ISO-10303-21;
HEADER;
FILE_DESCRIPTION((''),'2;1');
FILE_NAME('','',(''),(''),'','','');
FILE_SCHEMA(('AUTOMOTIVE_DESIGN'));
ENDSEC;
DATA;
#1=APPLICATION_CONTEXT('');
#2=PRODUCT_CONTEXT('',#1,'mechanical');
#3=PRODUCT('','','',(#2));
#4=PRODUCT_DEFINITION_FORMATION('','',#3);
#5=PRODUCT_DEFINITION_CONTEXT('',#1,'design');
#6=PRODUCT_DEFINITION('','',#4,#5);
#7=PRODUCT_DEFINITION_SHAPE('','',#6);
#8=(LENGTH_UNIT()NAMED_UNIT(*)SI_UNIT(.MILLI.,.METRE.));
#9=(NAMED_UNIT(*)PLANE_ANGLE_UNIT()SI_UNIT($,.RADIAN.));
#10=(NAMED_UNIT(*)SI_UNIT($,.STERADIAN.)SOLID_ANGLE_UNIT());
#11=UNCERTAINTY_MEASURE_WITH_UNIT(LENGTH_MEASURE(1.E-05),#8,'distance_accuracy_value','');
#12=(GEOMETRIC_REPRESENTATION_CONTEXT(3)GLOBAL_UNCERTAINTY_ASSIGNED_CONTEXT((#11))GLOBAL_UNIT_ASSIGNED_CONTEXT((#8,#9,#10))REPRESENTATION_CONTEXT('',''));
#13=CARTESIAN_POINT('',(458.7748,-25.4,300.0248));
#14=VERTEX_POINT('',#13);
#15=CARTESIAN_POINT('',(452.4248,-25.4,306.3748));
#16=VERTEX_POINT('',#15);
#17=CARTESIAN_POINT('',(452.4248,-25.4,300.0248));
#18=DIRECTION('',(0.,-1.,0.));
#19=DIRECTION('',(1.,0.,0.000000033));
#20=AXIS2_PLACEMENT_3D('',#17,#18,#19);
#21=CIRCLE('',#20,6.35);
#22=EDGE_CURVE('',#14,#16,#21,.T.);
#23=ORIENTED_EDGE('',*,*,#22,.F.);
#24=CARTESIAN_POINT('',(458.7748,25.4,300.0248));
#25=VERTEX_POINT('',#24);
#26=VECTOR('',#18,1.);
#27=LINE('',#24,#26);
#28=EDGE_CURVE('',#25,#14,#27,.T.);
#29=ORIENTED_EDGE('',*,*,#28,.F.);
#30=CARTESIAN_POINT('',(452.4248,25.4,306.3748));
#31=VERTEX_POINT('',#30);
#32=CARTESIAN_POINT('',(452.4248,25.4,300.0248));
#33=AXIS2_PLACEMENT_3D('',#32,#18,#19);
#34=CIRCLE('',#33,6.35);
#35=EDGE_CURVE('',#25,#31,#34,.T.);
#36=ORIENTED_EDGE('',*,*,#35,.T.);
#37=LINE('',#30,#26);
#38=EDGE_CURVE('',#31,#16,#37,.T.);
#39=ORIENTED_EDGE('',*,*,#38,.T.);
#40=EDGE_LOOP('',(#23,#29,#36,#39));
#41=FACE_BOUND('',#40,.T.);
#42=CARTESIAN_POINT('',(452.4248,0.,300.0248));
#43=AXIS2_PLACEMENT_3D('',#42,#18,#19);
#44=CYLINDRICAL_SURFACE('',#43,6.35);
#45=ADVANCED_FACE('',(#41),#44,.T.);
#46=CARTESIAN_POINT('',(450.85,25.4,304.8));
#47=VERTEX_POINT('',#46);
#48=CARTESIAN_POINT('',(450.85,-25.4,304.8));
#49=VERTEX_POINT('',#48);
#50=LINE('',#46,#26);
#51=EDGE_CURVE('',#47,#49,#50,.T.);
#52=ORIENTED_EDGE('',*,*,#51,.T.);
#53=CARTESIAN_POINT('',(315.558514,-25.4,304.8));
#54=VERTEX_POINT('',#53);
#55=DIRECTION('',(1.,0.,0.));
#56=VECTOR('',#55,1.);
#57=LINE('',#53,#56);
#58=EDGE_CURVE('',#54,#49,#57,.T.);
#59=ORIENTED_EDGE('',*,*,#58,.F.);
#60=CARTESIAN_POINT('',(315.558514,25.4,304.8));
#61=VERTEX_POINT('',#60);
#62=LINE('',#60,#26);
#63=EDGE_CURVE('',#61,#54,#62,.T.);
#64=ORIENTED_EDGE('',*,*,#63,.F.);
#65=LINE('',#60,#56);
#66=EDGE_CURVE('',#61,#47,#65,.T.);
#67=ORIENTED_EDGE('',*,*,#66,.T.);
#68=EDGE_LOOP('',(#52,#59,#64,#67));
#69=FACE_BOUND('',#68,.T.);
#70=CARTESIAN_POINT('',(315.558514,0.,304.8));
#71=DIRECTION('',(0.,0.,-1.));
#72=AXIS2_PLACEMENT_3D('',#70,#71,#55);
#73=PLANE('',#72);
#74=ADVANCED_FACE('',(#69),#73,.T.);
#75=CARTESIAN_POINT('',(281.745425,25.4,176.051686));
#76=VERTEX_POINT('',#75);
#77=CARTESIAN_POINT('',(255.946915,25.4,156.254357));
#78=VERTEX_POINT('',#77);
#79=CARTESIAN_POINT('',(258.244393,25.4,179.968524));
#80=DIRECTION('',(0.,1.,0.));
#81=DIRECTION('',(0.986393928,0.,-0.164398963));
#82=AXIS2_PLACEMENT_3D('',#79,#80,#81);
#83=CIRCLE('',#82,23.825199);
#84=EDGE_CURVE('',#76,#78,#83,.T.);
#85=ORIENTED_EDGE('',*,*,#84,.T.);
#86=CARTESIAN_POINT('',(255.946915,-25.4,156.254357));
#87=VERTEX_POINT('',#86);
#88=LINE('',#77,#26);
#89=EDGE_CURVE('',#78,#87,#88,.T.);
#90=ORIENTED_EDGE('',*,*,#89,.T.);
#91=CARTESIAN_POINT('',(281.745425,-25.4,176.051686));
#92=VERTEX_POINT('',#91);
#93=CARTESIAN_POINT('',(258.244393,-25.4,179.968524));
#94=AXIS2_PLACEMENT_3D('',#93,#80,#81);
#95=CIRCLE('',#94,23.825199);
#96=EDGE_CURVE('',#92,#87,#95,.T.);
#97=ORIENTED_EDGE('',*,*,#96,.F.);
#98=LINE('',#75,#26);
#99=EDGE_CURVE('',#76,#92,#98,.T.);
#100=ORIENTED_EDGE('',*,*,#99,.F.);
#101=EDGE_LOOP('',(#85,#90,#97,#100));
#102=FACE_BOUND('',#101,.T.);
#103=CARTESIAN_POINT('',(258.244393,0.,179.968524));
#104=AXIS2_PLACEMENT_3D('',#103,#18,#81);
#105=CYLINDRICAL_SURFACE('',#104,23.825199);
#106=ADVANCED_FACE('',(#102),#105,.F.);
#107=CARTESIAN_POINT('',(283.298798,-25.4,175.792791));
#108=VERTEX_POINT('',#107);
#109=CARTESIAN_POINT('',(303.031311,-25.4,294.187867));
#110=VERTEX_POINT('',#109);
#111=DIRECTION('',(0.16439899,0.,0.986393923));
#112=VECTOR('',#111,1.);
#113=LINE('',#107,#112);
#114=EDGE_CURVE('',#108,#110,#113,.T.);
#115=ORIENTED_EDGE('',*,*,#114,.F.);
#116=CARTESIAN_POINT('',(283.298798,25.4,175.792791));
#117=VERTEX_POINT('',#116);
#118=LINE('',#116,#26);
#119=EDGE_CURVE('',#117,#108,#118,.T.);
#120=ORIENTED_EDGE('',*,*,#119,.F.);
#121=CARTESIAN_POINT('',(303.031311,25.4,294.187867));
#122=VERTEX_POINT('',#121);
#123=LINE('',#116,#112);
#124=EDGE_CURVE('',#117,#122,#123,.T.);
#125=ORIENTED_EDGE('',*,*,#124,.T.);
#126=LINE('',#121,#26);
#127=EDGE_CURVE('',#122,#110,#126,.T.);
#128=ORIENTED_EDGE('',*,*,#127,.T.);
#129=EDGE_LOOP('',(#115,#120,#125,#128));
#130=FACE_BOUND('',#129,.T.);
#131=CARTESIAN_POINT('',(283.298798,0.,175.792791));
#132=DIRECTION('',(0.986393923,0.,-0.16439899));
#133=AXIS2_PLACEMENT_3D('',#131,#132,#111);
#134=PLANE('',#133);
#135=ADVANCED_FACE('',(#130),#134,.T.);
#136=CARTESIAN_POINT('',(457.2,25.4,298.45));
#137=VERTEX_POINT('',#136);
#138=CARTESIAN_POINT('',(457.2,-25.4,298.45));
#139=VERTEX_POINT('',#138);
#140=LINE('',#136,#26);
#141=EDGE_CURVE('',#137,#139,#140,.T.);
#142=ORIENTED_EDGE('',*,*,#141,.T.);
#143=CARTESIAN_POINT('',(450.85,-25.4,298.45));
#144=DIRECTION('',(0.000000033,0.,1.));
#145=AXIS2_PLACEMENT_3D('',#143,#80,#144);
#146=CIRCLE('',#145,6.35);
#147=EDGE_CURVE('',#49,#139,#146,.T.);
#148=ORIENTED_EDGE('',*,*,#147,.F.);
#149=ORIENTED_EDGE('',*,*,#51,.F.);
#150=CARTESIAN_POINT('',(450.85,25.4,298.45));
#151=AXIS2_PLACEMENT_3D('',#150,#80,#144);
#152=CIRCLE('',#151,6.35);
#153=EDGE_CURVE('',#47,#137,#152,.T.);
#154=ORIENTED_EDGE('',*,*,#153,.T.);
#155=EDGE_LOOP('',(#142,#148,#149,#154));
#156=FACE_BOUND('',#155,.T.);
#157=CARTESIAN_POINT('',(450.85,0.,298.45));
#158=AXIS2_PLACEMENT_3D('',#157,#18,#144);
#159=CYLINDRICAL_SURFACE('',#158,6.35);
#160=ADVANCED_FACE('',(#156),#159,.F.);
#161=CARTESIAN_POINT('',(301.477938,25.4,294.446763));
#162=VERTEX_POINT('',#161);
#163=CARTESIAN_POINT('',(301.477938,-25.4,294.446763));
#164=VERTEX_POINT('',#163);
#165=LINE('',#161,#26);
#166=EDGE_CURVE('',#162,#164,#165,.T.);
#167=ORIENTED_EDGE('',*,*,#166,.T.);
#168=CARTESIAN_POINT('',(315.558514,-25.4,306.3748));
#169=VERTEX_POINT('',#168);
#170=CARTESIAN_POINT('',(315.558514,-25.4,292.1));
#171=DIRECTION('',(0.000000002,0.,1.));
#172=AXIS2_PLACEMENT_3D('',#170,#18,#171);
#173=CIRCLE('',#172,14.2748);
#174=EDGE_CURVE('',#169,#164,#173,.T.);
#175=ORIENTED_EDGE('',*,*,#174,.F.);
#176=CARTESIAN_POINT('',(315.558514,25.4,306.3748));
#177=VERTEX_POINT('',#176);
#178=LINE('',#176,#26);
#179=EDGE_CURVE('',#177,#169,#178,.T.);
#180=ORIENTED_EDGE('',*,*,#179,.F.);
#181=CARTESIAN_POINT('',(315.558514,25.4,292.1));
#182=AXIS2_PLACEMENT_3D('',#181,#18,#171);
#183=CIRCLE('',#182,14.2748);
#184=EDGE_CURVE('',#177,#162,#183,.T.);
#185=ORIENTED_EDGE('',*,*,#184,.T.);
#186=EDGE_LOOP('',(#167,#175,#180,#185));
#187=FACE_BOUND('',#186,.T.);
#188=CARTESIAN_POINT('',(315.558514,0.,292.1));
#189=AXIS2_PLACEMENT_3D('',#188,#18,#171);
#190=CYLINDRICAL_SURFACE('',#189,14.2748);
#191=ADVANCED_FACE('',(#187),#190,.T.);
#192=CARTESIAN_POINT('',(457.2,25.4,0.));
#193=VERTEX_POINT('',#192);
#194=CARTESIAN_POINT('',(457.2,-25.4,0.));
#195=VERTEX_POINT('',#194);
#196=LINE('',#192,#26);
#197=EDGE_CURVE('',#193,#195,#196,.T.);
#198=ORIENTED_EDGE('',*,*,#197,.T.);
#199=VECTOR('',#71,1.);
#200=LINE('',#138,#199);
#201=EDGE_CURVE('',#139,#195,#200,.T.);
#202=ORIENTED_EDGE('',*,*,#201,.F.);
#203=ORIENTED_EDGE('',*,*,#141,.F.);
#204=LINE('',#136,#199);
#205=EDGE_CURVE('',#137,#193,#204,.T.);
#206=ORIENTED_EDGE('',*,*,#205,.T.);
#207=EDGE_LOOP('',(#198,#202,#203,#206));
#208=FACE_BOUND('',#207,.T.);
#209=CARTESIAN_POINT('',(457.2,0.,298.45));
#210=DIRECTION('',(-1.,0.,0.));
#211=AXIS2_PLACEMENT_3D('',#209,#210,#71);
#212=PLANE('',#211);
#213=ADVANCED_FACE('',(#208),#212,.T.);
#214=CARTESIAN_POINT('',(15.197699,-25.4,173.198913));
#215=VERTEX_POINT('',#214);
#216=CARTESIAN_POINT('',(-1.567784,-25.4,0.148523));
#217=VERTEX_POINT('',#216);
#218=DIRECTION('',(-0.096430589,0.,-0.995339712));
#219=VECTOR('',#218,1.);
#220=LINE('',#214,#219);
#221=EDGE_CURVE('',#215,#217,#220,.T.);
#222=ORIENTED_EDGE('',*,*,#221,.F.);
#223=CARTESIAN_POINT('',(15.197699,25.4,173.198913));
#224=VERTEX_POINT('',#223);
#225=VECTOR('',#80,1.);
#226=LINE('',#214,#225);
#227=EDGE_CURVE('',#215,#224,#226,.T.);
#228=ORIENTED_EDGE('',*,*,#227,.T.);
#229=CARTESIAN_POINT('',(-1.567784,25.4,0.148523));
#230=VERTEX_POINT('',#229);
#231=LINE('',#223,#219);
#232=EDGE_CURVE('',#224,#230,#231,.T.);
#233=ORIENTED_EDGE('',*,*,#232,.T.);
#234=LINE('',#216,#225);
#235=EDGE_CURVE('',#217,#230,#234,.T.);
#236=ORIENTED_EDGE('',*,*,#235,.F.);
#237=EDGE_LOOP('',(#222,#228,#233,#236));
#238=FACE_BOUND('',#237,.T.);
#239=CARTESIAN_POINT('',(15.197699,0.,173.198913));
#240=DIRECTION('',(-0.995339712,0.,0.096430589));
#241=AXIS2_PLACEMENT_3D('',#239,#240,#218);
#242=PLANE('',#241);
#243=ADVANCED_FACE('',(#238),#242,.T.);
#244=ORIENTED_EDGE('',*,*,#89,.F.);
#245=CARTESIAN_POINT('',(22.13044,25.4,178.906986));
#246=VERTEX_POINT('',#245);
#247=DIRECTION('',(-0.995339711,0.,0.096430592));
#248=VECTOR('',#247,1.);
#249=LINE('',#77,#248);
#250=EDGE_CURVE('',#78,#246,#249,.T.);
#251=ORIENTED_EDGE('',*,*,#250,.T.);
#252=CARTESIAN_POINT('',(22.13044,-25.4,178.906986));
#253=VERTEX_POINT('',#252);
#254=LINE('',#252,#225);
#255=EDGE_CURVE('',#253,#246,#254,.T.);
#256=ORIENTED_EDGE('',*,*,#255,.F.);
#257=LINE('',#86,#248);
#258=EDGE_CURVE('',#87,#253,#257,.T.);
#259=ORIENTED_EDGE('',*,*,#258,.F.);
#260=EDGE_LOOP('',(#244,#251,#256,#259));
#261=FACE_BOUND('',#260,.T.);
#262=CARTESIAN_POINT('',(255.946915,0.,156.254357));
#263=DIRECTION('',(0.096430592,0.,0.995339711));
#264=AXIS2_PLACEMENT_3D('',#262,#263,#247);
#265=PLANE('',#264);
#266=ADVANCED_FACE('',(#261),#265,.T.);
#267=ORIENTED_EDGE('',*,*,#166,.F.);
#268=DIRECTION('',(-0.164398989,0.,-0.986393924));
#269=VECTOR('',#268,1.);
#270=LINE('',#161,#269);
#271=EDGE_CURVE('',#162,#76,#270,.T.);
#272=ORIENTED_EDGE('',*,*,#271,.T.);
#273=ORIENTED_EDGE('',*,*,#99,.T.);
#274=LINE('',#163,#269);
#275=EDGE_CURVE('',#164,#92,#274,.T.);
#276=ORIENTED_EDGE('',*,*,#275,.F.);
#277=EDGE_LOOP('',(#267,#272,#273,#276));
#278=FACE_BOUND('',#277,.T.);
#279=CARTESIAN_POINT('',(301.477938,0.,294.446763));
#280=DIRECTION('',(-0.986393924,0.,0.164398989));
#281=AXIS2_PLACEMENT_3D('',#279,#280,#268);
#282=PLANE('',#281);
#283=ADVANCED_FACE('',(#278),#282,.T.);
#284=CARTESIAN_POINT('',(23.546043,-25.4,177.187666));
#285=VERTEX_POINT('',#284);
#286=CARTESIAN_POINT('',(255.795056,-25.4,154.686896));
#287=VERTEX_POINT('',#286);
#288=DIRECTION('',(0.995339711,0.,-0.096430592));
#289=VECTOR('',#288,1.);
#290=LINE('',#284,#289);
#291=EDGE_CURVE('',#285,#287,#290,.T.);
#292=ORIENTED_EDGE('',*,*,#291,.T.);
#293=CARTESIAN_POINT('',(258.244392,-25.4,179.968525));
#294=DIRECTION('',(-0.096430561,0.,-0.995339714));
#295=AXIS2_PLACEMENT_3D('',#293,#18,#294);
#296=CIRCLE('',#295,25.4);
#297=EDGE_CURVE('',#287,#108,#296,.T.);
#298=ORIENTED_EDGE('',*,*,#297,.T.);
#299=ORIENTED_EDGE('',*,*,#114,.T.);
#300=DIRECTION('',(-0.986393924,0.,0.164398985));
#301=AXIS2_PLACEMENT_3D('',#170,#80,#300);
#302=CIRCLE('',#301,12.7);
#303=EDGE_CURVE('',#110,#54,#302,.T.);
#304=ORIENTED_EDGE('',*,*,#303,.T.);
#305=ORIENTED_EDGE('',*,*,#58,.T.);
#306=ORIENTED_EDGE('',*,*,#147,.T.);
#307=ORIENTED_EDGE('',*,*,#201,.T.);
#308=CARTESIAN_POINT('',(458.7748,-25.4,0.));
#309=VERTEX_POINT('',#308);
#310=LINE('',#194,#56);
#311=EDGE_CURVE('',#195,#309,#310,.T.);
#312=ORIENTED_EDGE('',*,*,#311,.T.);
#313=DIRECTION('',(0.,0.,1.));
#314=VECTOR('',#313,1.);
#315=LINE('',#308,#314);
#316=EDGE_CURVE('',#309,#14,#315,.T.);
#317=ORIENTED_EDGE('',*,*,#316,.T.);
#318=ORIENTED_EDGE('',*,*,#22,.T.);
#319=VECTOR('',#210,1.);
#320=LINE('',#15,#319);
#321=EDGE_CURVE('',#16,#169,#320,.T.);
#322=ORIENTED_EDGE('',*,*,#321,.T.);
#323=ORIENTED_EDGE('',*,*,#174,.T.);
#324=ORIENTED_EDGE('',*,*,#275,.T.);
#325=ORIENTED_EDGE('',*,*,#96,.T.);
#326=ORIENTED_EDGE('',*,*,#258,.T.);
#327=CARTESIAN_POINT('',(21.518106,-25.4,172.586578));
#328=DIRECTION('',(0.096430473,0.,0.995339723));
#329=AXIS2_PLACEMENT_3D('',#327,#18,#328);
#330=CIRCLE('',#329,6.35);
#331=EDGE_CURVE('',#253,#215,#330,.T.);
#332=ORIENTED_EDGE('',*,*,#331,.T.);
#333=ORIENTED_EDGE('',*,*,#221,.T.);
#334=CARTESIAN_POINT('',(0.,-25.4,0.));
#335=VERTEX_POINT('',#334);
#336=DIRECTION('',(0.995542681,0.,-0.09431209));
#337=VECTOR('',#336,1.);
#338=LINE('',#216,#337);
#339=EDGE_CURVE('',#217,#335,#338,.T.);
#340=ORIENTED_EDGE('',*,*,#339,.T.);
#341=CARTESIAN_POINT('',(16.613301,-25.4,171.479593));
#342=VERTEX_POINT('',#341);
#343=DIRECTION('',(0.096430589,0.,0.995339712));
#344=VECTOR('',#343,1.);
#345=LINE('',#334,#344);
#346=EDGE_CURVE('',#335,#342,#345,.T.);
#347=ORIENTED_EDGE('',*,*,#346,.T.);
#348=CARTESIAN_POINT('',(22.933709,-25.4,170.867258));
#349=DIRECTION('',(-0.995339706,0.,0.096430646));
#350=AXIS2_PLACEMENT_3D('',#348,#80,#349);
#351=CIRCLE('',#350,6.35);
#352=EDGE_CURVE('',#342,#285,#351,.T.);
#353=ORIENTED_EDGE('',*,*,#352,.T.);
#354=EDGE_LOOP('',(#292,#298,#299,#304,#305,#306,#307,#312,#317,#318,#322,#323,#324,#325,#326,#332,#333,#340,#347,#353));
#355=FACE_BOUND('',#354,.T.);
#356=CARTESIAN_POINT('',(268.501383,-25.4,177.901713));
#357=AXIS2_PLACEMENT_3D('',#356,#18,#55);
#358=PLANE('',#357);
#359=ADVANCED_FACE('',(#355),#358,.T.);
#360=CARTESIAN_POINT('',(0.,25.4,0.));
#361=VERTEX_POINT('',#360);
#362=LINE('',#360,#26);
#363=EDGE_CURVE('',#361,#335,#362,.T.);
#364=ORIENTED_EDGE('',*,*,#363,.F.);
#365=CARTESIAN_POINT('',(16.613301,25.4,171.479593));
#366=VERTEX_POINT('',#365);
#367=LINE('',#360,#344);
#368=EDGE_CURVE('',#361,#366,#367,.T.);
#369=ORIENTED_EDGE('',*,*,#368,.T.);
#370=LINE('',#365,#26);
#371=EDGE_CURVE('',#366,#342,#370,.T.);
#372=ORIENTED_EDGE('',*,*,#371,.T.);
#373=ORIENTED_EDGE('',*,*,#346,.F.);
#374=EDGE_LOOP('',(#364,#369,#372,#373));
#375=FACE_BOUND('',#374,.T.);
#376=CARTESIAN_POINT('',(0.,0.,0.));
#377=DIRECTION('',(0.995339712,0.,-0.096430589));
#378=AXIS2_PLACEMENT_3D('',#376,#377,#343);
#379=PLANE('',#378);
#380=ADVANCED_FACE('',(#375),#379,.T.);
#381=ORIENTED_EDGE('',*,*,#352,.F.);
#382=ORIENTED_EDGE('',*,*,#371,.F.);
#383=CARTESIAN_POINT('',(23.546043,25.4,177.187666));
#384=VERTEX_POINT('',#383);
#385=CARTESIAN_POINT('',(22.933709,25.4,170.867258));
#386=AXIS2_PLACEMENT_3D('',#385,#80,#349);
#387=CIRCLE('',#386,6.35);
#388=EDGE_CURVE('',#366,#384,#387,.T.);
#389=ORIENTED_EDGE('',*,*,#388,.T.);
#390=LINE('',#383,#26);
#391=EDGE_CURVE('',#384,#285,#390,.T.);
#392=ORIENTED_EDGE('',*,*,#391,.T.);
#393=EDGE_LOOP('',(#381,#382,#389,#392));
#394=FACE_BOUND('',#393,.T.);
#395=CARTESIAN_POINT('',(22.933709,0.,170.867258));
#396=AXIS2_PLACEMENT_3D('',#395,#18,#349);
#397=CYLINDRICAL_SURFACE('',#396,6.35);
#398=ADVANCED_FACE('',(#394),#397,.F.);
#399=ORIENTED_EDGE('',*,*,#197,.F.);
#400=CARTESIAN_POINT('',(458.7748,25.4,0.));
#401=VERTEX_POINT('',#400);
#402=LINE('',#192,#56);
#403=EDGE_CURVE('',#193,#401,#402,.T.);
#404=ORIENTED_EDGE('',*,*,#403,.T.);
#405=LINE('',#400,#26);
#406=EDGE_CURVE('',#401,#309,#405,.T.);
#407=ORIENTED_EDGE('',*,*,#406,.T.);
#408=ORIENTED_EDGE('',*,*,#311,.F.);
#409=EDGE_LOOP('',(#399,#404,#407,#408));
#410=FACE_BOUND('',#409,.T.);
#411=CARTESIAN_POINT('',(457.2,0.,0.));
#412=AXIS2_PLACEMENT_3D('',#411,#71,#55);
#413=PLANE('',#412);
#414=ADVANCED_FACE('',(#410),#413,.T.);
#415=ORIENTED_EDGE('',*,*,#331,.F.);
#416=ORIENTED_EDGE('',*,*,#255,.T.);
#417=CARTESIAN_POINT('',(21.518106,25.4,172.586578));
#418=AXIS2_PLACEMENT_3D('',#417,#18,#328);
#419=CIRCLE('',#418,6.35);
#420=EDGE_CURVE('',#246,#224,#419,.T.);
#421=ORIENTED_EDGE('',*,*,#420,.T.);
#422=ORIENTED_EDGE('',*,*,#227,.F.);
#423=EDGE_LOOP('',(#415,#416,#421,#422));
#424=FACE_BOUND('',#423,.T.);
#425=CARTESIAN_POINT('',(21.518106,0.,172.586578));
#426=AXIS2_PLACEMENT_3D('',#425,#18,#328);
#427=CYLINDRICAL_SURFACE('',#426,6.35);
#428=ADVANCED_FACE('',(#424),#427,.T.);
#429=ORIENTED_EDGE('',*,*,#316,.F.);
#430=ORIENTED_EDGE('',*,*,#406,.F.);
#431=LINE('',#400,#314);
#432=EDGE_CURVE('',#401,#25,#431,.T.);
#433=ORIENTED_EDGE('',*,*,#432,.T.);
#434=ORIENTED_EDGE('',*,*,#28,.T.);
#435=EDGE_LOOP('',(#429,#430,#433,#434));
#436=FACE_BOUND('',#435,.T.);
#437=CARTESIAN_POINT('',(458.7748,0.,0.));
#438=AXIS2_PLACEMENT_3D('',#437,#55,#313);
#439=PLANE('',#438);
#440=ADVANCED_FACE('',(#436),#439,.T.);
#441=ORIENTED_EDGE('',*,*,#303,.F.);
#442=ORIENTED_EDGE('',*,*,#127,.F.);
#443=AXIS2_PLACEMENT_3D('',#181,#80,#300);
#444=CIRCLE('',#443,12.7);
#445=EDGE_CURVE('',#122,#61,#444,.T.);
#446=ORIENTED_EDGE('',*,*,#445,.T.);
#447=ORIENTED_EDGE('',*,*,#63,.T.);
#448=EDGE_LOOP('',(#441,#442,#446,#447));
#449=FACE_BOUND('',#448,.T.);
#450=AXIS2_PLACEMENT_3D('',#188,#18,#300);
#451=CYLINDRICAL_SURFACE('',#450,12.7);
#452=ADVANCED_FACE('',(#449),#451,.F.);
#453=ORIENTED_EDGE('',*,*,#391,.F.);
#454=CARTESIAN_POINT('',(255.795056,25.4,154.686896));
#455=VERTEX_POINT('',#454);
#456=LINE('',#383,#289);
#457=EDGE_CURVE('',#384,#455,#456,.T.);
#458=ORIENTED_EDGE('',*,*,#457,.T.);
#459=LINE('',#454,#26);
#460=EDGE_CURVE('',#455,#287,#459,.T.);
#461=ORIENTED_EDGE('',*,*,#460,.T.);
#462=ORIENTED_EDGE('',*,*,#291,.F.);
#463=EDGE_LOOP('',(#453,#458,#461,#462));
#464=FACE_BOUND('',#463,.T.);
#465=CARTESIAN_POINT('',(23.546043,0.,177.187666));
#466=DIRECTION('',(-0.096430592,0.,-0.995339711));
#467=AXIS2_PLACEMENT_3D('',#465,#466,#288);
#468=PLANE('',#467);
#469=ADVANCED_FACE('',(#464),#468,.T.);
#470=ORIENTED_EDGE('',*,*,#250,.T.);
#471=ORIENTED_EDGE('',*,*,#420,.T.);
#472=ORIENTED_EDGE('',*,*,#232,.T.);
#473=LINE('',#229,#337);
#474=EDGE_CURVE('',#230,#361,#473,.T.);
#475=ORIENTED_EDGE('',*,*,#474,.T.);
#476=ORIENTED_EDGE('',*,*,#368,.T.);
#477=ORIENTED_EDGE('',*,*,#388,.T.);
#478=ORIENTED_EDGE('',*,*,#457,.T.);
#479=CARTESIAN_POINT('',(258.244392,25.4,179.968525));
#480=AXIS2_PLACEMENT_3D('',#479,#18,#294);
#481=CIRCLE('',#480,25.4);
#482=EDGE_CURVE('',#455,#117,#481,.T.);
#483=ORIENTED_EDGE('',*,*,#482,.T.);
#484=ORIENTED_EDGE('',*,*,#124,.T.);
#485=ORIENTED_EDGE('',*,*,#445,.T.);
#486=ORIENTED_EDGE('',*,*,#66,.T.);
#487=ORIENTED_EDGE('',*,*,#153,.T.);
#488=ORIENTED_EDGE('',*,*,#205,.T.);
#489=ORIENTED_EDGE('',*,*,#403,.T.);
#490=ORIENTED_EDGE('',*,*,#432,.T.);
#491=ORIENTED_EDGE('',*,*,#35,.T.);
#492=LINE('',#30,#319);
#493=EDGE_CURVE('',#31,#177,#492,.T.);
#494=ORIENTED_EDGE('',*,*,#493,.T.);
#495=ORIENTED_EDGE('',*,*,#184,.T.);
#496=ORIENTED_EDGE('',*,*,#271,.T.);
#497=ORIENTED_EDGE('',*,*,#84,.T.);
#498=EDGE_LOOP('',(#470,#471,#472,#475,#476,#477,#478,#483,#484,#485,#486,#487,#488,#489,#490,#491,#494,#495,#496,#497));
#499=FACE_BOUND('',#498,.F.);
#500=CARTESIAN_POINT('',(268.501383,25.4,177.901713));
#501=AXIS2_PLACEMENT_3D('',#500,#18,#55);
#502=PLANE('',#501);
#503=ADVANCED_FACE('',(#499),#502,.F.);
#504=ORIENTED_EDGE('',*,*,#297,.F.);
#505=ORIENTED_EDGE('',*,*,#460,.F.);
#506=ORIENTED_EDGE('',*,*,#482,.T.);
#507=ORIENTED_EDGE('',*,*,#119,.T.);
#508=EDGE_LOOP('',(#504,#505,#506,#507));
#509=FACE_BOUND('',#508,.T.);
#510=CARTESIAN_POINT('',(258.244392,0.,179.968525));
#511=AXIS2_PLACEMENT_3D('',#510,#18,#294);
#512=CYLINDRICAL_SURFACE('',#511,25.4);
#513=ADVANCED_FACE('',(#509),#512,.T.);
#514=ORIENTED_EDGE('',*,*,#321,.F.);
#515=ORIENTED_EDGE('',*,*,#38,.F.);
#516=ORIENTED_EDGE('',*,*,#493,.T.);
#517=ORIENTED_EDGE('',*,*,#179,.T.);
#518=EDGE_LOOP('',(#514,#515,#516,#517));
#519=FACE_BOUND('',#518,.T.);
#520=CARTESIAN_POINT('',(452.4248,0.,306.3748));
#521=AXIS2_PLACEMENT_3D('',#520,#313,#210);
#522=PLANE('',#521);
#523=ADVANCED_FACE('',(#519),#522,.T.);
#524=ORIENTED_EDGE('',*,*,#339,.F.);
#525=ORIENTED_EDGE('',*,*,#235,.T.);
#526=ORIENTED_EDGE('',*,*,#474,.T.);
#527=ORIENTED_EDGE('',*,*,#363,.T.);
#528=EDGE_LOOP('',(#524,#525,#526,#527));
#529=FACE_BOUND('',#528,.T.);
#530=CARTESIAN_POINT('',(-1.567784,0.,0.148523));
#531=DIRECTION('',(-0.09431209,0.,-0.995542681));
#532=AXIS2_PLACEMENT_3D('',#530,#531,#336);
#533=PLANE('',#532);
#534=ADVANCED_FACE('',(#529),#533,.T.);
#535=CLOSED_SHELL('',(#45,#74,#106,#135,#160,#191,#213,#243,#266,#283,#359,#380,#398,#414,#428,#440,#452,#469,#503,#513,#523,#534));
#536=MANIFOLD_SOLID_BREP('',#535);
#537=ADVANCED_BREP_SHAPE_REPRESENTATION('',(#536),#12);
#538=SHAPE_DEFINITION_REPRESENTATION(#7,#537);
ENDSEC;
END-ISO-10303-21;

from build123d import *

# Parameters (mm, degrees)
F1_DEPTH      = 25.4
F1_DEPTH_BACK = 25.4


with BuildPart() as f1:
    # F0 (on Front) → F1 (new body, two sides)
    with BuildSketch(Plane.XZ) as f1_sk:
        with BuildLine():
            Line((-1.567784, 0.148523), (0, 0))
            Line((0, 0), (16.613301, 171.479593))
            ThreePointArc((16.613301, 171.479593), (18.897491, 175.769447), (23.546043, 177.187666))
            Line((23.546043, 177.187666), (255.795056, 154.686896))
            ThreePointArc((255.795056, 154.686896), (273.707639, 159.817892), (283.298798, 175.792791))
            Line((283.298798, 175.792791), (303.031311, 294.187867))
            ThreePointArc((303.031311, 294.187867), (307.349553, 301.790354), (315.558514, 304.8))
            Line((315.558514, 304.8), (450.85, 304.8))
            ThreePointArc((450.85, 304.8), (455.340128, 302.940128), (457.2, 298.45))
            Line((457.2, 298.45), (457.2, 0))
            Line((457.2, 0), (458.7748, 0))
            Line((458.7748, 0), (458.7748, 300.0248))
            ThreePointArc((458.7748, 300.0248), (456.914928, 304.514928), (452.4248, 306.3748))
            Line((452.4248, 306.3748), (315.558514, 306.3748))
            ThreePointArc((315.558514, 306.3748), (306.331642, 302.991958), (301.477938, 294.446763))
            Line((301.477938, 294.446763), (281.745425, 176.051686))
            ThreePointArc((281.745425, 176.051686), (272.748918, 161.067231), (255.946915, 156.254357))
            Line((255.946915, 156.254357), (22.13044, 178.906986))
            ThreePointArc((22.13044, 178.906986), (17.481889, 177.488767), (15.197699, 173.198913))
            Line((15.197699, 173.198913), (-1.567784, 0.148523))
        make_face()
    extrude(amount=F1_DEPTH)
    extrude(f1_sk.sketch, amount=-F1_DEPTH_BACK)


solid = f1.part
